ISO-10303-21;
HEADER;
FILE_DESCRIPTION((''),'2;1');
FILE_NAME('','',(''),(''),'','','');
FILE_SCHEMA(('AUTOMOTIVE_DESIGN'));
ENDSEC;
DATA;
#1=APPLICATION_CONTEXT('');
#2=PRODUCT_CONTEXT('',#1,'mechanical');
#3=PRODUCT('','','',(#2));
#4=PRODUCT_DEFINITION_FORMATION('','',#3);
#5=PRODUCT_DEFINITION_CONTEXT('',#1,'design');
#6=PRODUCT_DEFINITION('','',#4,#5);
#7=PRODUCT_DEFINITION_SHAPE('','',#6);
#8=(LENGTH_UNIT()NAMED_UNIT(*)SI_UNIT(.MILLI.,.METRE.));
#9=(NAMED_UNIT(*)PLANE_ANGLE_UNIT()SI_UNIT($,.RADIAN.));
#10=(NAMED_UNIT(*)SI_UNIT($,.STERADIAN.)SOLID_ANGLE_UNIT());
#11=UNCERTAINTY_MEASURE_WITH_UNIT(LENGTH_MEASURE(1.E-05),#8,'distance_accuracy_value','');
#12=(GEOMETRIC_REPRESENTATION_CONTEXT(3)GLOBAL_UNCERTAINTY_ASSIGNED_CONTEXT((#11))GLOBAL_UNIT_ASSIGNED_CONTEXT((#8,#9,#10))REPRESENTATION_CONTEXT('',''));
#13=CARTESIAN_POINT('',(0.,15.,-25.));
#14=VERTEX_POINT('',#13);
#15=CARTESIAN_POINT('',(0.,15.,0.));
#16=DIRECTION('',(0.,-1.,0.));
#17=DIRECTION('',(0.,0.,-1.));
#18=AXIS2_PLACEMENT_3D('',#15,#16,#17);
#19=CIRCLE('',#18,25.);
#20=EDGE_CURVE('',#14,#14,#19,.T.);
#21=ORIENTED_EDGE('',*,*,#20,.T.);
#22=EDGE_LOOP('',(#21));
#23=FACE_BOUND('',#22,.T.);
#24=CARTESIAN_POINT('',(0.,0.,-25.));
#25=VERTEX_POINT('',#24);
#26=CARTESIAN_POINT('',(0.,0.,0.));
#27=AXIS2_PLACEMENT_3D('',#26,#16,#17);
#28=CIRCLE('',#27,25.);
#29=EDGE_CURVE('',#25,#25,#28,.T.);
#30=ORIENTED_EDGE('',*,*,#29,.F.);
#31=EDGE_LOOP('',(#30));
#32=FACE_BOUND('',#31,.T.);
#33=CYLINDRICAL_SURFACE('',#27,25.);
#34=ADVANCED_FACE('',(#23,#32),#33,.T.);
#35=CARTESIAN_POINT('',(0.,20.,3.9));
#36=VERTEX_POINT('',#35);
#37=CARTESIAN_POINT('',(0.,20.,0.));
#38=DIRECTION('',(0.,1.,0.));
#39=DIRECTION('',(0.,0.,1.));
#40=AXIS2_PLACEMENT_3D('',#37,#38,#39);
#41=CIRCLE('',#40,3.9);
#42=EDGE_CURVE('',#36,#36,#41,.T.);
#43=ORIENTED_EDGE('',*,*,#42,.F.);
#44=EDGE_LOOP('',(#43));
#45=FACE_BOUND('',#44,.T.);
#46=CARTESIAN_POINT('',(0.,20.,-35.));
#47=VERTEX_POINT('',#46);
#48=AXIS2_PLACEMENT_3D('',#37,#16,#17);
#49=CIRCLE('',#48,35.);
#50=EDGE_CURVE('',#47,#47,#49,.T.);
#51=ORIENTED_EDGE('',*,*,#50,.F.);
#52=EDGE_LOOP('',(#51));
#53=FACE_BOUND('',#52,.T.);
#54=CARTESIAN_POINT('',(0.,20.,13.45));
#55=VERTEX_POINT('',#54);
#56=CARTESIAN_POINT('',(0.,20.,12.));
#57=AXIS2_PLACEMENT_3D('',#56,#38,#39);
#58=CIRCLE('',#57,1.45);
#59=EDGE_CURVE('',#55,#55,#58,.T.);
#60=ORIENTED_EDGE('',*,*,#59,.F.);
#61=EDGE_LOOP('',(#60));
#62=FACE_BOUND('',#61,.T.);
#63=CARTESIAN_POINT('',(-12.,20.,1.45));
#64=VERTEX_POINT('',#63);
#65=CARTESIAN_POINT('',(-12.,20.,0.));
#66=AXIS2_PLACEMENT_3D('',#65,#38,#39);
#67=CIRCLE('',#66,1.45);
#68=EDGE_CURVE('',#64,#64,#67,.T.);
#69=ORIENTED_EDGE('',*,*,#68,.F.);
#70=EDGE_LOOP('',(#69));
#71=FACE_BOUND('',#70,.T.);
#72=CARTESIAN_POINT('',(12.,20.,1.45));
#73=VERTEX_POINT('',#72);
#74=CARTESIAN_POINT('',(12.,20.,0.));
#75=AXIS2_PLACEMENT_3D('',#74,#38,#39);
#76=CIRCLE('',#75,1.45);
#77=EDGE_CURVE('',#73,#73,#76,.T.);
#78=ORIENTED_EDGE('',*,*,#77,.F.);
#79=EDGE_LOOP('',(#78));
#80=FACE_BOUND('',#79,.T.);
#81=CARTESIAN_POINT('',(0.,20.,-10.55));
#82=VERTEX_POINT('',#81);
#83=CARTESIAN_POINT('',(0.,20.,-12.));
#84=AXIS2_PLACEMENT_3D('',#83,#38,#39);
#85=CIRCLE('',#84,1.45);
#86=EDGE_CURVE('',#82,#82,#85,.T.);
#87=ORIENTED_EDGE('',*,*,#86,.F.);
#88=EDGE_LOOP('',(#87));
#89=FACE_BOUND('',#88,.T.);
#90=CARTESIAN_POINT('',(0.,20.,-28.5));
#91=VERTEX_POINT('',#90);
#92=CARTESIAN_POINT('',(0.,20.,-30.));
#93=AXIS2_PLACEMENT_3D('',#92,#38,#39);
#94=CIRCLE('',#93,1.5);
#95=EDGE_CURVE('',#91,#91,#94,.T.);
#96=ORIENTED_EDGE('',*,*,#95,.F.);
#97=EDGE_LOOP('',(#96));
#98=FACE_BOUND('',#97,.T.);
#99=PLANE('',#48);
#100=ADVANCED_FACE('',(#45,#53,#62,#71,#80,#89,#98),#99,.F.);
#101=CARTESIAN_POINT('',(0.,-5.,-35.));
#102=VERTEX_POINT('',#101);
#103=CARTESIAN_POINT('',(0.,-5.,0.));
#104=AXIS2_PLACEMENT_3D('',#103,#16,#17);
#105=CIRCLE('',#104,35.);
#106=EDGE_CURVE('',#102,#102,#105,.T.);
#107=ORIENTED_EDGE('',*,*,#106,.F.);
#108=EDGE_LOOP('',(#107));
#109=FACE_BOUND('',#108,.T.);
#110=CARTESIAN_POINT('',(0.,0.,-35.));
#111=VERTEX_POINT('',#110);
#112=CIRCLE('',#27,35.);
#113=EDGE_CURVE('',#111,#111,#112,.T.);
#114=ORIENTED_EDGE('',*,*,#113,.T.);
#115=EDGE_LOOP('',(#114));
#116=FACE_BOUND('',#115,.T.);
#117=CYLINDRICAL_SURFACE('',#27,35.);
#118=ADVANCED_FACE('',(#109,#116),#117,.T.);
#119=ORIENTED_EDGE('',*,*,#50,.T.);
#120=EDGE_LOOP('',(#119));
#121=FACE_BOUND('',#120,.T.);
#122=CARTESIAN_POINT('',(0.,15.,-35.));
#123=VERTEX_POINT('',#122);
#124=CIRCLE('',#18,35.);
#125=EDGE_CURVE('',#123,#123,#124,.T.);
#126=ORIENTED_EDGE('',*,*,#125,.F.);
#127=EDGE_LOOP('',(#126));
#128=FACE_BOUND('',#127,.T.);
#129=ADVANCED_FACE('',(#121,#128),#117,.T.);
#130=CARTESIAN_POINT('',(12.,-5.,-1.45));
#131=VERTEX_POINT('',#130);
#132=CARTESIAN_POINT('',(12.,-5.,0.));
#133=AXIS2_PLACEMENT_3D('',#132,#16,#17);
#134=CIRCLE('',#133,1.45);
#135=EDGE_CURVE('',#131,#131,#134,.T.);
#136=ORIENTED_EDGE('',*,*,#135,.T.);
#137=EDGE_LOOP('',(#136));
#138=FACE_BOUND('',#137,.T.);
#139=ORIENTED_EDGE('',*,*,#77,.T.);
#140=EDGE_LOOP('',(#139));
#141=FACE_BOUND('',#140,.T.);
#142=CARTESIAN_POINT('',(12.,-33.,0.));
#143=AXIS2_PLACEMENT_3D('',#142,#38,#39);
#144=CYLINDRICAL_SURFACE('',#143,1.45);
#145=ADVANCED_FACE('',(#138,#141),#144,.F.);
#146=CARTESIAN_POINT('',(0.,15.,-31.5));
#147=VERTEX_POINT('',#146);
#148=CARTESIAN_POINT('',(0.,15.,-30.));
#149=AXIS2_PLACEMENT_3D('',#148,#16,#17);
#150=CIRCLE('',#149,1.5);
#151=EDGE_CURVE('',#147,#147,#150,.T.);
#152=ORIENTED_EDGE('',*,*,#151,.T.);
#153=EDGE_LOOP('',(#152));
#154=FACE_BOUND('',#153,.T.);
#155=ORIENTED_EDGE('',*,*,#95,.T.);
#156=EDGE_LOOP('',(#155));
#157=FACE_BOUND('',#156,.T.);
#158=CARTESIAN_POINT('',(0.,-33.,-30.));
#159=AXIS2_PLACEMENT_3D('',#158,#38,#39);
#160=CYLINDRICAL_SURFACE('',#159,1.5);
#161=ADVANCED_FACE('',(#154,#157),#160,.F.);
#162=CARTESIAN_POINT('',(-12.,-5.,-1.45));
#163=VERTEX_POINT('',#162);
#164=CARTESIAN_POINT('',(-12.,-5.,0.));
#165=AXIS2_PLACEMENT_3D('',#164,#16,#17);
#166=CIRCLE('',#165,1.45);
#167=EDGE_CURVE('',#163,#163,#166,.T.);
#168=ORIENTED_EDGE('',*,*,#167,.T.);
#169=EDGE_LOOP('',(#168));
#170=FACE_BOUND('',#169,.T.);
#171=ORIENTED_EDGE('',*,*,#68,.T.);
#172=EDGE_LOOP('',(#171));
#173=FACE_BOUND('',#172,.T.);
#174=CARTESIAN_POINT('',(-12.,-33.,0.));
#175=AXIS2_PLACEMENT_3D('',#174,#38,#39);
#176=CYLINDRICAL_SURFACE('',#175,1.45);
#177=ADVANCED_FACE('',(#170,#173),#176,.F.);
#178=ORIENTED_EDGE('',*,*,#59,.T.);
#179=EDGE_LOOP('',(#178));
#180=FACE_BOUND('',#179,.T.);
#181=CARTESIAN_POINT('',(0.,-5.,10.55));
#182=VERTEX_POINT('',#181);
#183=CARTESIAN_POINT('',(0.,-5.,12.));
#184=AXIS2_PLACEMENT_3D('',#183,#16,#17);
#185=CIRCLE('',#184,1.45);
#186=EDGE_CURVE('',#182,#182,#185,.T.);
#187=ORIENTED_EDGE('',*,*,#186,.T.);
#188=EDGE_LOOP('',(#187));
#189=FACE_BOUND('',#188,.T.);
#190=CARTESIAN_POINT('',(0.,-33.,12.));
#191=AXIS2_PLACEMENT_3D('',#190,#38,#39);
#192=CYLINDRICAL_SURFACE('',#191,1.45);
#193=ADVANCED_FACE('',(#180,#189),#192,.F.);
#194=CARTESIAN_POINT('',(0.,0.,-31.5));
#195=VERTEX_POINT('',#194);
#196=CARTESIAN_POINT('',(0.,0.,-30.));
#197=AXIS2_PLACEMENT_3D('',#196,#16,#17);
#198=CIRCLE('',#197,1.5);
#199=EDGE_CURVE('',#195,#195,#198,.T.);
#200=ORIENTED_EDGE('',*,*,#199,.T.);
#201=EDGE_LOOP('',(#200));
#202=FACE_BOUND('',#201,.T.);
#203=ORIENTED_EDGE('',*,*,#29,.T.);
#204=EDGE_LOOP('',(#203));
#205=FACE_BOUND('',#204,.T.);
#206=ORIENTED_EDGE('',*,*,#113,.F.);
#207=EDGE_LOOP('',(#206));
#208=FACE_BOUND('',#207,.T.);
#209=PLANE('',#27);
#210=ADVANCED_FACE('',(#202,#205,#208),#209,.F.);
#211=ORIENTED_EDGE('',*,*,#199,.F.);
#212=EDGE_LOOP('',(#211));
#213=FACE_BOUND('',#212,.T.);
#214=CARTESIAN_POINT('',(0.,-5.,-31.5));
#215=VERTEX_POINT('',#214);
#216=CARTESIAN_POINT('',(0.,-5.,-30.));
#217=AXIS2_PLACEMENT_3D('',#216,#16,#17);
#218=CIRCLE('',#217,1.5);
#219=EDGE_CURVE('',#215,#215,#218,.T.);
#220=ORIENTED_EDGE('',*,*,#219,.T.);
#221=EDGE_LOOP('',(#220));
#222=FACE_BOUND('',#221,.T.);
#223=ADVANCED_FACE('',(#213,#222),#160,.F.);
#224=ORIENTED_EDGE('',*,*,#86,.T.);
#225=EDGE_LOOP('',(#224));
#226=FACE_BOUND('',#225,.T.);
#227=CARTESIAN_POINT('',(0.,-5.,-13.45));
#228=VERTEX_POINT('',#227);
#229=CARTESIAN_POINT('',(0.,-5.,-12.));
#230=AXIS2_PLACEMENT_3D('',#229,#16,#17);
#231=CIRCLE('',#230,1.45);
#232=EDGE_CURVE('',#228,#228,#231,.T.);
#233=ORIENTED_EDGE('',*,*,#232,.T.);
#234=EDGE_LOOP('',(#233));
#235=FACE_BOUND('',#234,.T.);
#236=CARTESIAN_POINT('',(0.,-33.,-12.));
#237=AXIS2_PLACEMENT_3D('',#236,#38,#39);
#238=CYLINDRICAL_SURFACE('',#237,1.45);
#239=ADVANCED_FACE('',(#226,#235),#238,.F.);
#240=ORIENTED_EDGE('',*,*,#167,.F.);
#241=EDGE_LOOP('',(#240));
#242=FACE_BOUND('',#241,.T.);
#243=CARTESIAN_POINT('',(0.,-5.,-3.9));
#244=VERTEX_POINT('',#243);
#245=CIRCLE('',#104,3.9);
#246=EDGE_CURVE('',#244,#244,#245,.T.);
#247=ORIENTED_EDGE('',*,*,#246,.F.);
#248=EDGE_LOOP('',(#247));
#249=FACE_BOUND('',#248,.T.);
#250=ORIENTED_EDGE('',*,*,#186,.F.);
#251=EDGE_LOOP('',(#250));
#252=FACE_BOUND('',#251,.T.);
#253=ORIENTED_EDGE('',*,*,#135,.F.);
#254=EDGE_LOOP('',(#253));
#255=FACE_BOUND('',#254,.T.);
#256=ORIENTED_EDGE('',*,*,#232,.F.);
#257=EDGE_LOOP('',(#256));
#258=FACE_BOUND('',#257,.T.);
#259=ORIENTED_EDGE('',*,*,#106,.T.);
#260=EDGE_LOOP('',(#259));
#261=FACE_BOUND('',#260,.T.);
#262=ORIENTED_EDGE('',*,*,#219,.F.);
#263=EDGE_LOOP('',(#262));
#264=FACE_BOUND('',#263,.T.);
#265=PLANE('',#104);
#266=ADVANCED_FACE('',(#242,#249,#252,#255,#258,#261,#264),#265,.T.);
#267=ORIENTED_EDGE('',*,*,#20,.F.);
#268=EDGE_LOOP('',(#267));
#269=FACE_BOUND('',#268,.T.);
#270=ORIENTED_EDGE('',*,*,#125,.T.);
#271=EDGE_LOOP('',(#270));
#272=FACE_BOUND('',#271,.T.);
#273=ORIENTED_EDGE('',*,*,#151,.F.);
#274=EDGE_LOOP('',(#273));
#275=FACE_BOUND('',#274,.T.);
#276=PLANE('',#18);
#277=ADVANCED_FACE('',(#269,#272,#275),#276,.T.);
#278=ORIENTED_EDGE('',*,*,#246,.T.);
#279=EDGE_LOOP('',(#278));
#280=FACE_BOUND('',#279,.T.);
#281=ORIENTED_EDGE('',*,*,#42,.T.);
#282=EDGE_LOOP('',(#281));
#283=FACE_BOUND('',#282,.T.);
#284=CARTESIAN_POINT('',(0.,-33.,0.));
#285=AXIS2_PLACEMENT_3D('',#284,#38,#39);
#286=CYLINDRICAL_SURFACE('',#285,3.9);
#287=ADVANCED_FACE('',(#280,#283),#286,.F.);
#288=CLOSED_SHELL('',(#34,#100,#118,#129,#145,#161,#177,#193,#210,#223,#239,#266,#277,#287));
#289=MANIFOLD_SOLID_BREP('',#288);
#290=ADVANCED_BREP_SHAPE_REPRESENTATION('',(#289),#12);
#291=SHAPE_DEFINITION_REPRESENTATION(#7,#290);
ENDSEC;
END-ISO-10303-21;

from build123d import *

# Parameters (mm, degrees)
SKETCH1_W          = 25
SKETCH1_H          = 15
SKETCH2_R          = 3.9
SKETCH2_R_2        = 1.45
CUT_EXTRUDE1_DEPTH = 53
SKETCH3_R          = 1.5
CUT_EXTRUDE2_DEPTH = 53


with BuildPart() as part:
    # Sketch1 → Revolve1 (revolve)
    with BuildSketch(Plane(origin=(0, 0, 0), x_dir=(0, 0, -1), z_dir=(1, 0, 0))):
        Polygon((0, 20), (0, 15), (25, 15), (35, 15), (35, 20), align=None)
        with Locations((12.5, 7.5)):
            Rectangle(SKETCH1_W, SKETCH1_H)
        Polygon((25, 0), (0, 0), (0, -5), (35, -5), (35, 0), align=None)
    revolve(axis=Axis((0, 0, 0), (0, 1, 0)))

    # Sketch2 → Cut-Extrude1 (cut)
    with BuildSketch(Plane(origin=(0, 20, 0), x_dir=(1, 0, 0), z_dir=(0, 1, 0))):
        with Locations(Location((0, 0, 0), (0, 0, 270))):
            Circle(SKETCH2_R)
        with Locations(Location((0, 12, 0), (0, 0, 270))):
            Circle(SKETCH2_R_2)
        with Locations(Location((12, 0, 0), (0, 0, 270))):
            Circle(SKETCH2_R_2)
        with Locations(Location((0, -12, 0), (0, 0, 270))):
            Circle(SKETCH2_R_2)
        with Locations(Location((-12, 0, 0), (0, 0, 270))):
            Circle(SKETCH2_R_2)
    extrude(amount=-CUT_EXTRUDE1_DEPTH, mode=Mode.SUBTRACT)

    # Sketch3 → Cut-Extrude2 (cut)
    with BuildSketch(Plane(origin=(0, 20, 0), x_dir=(1, 0, 0), z_dir=(0, 1, 0))):
        with Locations(Location((0, 30, 0), (0, 0, 90))):
            Circle(SKETCH3_R)
    extrude(amount=-CUT_EXTRUDE2_DEPTH, mode=Mode.SUBTRACT)


solid = part.part
